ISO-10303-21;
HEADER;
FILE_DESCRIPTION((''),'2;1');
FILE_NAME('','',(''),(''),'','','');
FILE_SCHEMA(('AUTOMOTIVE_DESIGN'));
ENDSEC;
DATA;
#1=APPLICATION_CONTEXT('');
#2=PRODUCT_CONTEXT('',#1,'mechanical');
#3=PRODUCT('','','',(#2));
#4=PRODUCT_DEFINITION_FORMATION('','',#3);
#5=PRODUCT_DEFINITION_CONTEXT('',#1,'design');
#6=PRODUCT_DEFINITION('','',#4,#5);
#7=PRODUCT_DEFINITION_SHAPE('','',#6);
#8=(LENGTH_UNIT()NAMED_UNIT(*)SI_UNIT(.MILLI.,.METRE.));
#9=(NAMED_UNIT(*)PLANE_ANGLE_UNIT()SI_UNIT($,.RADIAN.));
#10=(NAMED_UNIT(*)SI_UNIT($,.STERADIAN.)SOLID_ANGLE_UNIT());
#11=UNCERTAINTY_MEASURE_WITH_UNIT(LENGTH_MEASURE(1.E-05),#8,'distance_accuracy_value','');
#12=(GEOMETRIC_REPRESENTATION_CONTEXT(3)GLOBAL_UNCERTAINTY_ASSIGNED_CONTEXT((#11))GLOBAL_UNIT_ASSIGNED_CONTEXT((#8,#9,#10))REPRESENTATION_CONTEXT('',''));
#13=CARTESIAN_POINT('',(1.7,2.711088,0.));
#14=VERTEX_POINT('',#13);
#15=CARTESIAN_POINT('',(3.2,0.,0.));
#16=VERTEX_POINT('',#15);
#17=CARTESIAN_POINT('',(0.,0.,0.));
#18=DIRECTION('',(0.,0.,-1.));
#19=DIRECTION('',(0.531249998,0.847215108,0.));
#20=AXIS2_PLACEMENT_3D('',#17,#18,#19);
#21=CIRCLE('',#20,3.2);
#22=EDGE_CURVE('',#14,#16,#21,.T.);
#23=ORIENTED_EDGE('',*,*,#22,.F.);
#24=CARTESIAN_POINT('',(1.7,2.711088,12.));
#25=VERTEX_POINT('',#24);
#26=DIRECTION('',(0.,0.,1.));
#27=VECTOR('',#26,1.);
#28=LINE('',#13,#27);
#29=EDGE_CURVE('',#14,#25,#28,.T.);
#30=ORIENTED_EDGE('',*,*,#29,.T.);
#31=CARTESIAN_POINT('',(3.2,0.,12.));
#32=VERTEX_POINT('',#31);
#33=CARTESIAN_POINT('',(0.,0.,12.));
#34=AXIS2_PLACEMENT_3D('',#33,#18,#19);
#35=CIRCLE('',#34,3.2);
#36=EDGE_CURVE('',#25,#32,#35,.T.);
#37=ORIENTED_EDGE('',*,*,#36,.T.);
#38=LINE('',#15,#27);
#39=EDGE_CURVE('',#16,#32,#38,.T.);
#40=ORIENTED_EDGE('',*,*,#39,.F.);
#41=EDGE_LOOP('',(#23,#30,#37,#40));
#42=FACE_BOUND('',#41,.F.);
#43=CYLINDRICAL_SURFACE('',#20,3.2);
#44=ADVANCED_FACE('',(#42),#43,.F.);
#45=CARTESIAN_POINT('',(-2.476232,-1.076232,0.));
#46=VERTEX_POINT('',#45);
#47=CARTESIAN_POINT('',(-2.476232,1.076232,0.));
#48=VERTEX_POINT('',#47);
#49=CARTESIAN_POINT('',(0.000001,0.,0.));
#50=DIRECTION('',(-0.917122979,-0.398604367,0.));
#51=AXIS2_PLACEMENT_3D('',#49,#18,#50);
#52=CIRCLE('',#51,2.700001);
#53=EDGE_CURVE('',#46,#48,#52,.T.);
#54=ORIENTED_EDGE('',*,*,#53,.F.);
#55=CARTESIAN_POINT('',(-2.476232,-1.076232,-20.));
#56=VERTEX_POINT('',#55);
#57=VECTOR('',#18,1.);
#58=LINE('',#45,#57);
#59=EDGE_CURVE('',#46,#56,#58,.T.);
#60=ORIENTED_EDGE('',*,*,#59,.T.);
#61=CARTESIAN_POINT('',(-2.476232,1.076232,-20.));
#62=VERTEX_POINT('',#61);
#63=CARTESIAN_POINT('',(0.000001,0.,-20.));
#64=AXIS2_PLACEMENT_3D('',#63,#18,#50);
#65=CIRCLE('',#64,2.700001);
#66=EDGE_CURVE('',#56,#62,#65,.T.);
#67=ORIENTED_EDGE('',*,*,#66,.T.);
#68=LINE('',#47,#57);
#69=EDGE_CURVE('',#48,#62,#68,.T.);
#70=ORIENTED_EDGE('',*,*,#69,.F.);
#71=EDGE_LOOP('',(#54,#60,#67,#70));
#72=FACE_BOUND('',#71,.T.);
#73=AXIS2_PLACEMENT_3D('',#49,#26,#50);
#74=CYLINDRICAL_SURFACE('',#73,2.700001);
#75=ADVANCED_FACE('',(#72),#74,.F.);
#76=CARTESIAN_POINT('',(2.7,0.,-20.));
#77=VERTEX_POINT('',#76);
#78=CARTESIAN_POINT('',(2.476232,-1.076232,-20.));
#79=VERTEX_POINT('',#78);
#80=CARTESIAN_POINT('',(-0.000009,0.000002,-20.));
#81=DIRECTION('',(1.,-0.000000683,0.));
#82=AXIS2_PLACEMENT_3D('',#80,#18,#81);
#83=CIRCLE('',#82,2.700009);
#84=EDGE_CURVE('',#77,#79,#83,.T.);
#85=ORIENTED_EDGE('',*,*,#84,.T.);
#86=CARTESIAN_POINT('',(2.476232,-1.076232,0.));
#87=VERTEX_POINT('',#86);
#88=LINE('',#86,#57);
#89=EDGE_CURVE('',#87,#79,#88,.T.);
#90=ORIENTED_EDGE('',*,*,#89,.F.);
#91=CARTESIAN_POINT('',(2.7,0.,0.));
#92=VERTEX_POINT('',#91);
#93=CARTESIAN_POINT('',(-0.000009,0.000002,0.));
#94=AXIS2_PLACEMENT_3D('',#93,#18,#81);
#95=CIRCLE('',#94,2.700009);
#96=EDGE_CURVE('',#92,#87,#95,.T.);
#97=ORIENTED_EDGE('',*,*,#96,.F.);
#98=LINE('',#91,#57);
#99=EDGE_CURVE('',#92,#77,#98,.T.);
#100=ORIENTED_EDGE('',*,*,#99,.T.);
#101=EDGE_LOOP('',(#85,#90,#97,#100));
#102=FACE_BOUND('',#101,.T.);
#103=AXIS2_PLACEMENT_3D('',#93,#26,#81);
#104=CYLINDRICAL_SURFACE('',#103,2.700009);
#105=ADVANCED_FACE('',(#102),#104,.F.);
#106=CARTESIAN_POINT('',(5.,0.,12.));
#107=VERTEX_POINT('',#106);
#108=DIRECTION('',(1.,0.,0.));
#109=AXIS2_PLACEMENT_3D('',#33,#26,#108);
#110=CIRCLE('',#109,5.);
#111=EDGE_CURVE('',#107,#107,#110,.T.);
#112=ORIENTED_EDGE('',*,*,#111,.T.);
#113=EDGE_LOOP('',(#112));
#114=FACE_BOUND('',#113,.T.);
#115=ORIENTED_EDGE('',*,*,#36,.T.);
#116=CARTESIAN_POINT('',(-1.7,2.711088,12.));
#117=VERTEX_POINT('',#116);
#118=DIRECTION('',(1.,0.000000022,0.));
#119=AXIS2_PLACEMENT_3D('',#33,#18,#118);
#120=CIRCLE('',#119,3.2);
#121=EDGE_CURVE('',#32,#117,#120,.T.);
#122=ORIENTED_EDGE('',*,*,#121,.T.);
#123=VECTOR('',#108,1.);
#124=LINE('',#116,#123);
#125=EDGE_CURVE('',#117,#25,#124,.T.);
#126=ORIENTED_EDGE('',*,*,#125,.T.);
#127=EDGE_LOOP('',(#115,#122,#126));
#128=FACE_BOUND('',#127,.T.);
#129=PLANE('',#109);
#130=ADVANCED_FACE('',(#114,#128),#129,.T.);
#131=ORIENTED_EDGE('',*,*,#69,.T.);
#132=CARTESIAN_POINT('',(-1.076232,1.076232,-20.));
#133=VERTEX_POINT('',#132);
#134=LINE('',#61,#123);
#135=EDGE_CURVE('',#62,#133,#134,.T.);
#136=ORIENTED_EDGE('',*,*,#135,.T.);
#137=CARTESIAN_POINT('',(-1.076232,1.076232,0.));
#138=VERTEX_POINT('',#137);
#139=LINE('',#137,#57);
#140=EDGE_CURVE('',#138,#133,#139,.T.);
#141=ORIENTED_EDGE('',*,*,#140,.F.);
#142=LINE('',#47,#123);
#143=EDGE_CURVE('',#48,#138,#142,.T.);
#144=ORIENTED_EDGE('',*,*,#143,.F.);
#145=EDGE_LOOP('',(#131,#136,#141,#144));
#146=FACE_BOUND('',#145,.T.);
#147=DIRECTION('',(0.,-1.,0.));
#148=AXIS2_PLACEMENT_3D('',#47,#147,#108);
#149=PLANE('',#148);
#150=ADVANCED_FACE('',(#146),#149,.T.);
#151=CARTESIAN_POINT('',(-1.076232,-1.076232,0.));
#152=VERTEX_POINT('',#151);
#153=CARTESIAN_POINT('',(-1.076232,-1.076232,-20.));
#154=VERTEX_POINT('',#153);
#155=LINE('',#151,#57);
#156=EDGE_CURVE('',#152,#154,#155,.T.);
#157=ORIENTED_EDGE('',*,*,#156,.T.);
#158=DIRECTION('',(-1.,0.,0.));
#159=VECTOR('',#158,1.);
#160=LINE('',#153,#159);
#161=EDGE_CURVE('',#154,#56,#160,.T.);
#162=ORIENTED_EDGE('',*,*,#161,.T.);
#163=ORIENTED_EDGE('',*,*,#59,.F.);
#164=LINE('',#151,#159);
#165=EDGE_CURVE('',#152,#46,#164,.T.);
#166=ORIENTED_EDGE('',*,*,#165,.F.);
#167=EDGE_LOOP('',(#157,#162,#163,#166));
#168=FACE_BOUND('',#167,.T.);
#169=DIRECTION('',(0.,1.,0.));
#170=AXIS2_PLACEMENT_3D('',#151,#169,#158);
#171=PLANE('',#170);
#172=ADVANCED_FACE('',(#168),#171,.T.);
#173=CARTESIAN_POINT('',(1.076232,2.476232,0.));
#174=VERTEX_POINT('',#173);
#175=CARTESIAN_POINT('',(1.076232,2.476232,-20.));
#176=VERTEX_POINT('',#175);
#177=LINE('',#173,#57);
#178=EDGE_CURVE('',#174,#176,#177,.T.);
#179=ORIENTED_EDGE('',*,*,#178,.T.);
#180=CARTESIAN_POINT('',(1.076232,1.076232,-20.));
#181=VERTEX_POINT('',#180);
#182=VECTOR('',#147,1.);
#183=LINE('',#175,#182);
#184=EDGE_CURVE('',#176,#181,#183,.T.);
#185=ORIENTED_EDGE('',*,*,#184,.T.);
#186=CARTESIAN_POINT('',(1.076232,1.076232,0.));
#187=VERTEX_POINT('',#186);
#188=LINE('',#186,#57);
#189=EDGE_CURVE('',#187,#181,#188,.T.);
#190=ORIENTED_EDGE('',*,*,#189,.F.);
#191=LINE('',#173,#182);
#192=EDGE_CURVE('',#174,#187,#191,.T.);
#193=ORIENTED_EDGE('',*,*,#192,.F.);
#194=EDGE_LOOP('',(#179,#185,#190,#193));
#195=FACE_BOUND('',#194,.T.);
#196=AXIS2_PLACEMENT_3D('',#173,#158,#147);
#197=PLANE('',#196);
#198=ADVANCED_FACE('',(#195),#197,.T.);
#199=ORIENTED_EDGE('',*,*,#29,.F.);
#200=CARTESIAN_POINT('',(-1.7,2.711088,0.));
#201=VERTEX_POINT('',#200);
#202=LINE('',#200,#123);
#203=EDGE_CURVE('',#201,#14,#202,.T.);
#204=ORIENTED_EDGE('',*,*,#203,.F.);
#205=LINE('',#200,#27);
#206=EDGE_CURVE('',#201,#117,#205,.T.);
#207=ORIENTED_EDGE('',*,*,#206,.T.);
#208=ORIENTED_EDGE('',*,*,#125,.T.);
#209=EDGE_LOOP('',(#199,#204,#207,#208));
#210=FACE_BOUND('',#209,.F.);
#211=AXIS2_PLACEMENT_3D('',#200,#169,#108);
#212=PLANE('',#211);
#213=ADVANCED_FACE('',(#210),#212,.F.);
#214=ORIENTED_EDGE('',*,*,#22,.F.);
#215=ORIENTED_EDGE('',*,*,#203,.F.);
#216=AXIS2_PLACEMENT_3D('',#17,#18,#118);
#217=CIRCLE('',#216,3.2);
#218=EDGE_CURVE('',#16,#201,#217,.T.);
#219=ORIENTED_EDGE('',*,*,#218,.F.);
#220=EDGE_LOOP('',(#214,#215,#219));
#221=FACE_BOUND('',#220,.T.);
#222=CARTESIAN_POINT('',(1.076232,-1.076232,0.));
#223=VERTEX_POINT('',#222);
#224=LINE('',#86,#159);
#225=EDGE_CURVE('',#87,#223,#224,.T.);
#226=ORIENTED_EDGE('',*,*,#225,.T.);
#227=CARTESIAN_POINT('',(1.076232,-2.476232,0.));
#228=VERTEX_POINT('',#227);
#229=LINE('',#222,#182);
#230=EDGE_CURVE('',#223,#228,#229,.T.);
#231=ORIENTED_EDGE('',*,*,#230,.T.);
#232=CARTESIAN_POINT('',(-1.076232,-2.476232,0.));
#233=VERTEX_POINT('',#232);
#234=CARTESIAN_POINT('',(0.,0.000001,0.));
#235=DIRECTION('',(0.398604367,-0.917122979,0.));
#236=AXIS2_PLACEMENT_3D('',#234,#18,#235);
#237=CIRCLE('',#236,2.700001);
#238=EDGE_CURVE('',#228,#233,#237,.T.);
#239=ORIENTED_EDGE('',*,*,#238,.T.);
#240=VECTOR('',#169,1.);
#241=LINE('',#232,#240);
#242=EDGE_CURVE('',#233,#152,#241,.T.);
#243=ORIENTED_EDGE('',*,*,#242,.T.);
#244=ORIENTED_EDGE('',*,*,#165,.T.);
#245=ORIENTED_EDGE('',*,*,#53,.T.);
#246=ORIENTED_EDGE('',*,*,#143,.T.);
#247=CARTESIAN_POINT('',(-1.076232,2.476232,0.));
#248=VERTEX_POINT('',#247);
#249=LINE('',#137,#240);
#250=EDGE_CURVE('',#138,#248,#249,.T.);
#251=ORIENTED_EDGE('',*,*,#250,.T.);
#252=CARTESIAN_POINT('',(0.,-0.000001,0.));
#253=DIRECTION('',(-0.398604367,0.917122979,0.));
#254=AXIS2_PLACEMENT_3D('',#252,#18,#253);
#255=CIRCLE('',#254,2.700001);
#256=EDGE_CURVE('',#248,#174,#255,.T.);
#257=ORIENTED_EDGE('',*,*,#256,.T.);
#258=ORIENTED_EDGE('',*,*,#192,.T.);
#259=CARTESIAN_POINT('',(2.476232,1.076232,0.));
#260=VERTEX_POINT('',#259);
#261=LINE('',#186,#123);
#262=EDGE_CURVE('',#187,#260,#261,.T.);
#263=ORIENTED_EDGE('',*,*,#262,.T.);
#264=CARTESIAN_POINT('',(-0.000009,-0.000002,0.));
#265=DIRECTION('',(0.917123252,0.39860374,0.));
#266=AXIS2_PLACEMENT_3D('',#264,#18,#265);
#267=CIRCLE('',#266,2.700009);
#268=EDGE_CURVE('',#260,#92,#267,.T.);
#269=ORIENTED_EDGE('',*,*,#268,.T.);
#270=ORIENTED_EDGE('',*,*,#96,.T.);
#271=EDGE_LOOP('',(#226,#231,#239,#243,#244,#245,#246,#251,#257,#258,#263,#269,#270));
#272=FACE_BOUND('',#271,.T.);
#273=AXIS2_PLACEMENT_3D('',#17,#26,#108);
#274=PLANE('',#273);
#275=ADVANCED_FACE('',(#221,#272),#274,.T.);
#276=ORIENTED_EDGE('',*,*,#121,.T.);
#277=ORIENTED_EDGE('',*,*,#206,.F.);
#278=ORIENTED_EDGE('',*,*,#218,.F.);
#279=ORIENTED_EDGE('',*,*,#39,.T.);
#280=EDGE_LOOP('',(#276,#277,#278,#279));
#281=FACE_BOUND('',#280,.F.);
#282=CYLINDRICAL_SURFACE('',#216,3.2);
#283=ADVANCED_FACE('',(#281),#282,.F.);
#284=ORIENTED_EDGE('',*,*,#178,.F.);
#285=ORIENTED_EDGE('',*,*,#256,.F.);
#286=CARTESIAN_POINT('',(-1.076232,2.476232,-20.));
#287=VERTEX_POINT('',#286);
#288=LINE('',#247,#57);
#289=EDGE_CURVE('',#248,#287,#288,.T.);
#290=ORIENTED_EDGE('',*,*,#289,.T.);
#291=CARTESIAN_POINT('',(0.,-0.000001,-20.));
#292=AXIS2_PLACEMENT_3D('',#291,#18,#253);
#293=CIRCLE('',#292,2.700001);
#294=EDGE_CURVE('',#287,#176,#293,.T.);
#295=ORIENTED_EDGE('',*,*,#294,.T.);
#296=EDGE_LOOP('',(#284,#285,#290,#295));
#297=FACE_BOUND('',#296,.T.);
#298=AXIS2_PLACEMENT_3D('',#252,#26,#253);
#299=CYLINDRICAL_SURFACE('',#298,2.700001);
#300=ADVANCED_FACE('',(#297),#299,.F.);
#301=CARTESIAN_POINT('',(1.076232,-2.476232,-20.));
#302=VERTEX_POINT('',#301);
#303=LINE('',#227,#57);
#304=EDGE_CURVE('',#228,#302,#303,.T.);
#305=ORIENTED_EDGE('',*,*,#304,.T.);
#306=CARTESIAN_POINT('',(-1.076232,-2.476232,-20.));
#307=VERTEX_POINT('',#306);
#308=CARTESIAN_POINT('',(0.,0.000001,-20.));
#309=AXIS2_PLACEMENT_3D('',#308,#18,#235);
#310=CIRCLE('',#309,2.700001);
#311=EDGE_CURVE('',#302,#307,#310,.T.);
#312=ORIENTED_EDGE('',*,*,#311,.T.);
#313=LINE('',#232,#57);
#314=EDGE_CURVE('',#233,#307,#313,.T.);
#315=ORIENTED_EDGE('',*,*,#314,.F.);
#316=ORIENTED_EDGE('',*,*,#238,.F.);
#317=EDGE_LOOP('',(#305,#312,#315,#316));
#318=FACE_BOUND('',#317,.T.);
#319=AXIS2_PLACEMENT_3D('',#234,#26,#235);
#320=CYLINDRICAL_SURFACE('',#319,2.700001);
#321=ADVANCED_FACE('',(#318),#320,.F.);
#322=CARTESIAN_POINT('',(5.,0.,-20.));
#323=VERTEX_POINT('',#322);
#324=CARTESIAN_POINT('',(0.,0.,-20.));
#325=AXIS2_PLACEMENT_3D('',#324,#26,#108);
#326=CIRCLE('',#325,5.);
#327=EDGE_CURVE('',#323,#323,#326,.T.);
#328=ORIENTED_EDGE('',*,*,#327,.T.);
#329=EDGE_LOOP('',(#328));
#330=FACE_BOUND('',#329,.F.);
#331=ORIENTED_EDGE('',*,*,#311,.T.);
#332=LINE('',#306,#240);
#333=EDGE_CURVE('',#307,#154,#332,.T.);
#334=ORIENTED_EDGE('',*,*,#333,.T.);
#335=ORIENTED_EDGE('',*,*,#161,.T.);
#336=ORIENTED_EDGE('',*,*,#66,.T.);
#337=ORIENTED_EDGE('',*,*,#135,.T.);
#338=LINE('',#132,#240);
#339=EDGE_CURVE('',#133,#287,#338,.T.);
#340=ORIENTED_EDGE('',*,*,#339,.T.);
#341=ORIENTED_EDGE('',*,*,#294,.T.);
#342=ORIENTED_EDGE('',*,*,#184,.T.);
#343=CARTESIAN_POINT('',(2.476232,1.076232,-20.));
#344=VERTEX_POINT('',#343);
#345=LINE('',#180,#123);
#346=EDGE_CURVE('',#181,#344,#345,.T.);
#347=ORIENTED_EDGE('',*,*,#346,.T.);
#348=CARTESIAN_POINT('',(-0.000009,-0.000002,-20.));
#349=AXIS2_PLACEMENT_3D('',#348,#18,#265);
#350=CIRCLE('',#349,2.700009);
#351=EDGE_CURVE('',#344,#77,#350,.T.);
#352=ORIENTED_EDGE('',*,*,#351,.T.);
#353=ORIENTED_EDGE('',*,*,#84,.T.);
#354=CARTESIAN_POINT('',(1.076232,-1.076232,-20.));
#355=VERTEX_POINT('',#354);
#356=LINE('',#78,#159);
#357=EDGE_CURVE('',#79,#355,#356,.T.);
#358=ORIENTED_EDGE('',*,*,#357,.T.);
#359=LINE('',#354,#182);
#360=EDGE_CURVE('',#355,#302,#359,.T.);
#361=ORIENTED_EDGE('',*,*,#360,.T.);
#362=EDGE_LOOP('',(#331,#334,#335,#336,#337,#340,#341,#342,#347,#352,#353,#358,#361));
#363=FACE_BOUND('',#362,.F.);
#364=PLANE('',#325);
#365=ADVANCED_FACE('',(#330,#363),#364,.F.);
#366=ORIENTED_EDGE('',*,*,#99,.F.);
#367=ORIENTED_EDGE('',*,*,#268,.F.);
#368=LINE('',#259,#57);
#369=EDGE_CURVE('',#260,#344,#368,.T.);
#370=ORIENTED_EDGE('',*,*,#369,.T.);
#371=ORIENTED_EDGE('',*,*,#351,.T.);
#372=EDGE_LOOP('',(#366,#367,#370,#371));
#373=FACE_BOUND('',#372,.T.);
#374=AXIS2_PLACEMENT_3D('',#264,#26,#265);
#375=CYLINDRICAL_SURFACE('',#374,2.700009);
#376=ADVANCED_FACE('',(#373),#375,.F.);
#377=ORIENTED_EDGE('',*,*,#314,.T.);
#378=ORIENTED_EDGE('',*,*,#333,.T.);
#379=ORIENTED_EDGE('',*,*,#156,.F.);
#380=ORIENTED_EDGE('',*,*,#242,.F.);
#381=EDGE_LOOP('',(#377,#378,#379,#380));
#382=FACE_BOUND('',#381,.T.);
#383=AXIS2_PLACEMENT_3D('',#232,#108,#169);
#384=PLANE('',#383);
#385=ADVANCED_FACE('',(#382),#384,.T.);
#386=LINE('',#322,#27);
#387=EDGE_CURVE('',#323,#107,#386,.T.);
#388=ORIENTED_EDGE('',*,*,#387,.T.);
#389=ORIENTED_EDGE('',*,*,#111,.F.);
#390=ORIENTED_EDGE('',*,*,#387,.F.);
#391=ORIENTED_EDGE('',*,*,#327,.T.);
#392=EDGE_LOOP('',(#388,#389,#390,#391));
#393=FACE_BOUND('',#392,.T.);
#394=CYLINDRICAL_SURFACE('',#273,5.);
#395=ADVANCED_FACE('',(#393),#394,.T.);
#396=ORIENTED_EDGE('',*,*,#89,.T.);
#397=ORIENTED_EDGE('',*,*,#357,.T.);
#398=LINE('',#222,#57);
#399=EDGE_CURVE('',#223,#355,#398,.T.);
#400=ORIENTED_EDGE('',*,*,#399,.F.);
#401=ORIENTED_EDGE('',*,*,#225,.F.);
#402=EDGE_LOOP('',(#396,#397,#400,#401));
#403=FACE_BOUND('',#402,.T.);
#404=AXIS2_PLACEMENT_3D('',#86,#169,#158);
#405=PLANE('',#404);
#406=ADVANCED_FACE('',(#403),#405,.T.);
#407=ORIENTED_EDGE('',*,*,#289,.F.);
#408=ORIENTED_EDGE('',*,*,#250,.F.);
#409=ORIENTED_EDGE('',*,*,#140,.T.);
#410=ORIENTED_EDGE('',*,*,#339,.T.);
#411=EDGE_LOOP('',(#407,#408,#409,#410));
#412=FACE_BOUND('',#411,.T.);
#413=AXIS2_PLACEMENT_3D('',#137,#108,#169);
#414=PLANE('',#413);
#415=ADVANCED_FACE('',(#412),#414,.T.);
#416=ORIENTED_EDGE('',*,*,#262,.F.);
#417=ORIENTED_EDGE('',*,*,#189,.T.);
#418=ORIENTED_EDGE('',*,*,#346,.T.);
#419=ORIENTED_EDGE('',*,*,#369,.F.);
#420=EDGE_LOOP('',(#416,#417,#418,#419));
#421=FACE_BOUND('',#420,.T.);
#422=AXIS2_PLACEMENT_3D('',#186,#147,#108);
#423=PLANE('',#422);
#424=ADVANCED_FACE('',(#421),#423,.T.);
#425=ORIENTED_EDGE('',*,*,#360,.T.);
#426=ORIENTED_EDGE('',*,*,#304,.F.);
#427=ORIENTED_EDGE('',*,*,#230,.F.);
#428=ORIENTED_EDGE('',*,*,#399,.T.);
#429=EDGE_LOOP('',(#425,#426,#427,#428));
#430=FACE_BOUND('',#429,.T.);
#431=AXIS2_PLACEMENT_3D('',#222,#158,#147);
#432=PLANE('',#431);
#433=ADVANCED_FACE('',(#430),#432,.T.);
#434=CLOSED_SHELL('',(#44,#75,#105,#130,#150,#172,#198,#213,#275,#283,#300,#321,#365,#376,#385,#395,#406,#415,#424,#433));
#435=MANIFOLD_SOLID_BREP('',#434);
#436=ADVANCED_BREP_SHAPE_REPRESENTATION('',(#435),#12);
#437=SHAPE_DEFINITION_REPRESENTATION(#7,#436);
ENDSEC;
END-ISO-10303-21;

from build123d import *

# Parameters (mm, degrees)
F0_R     = 5
F1_DEPTH = 12
F2_R     = 5
F3_DEPTH = 20


with BuildPart() as f1:
    # F0 (on Top) → F1 (new body)
    with BuildSketch(Plane.XY):
        Circle(F0_R)
        with BuildLine():
            ThreePointArc((1.7, 2.711088), (2.8, 1.549193), (3.2, 0))
            ThreePointArc((3.2, 0), (-1.549193, -2.8), (-1.7, 2.711088))
            ThreePointArc((-1.7, 2.711088), (0, 3.2), (1.7, 2.711088))
        make_face(mode=Mode.SUBTRACT)
        with BuildLine():
            Line((-1.7, 2.711088), (1.7, 2.711088))
            ThreePointArc((1.7, 2.711088), (0, 3.2), (-1.7, 2.711088))
        make_face()
    extrude(amount=F1_DEPTH)

    # F2 (on Top) → F3 (join)
    with BuildSketch(Plane.XY):
        Circle(F2_R)
        with BuildLine():
            ThreePointArc((2.476232, 1.076232), (2.643466, 0.549624), (2.7, 0))
            ThreePointArc((2.7, 0), (2.643466, -0.549624), (2.476232, -1.076232))
            ThreePointArc((2.476232, -1.076232), (1.909188, -1.909188), (1.076232, -2.476232))
            ThreePointArc((1.076232, -2.476232), (0, -2.7), (-1.076232, -2.476232))
            ThreePointArc((-1.076232, -2.476232), (-1.909188, -1.909188), (-2.476232, -1.076232))
            ThreePointArc((-2.476232, -1.076232), (-2.7, 0), (-2.476232, 1.076232))
            ThreePointArc((-2.476232, 1.076232), (-1.909188, 1.909188), (-1.076232, 2.476232))
            ThreePointArc((-1.076232, 2.476232), (0, 2.7), (1.076232, 2.476232))
            ThreePointArc((1.076232, 2.476232), (1.909188, 1.909188), (2.476232, 1.076232))
        make_face(mode=Mode.SUBTRACT)
        with BuildLine():
            ThreePointArc((-2.476232, -1.076232), (-1.909188, -1.909188), (-1.076232, -2.476232))
            Line((-1.076232, -2.476232), (-1.076232, -1.076232))
            Line((-1.076232, -1.076232), (-2.476232, -1.076232))
        make_face()
        with BuildLine():
            Line((-1.076232, 1.076232), (-1.076232, 2.476232))
            ThreePointArc((-1.076232, 2.476232), (-1.909188, 1.909188), (-2.476232, 1.076232))
            Line((-2.476232, 1.076232), (-1.076232, 1.076232))
        make_face()
        with BuildLine():
            Line((1.076232, 1.076232), (2.476232, 1.076232))
            ThreePointArc((2.476232, 1.076232), (1.909188, 1.909188), (1.076232, 2.476232))
            Line((1.076232, 2.476232), (1.076232, 1.076232))
        make_face()
        with BuildLine():
            ThreePointArc((1.076232, -2.476232), (1.909188, -1.909188), (2.476232, -1.076232))
            Line((2.476232, -1.076232), (1.076232, -1.076232))
            Line((1.076232, -1.076232), (1.076232, -2.476232))
        make_face()
    extrude(amount=-F3_DEPTH)


solid = f1.part
